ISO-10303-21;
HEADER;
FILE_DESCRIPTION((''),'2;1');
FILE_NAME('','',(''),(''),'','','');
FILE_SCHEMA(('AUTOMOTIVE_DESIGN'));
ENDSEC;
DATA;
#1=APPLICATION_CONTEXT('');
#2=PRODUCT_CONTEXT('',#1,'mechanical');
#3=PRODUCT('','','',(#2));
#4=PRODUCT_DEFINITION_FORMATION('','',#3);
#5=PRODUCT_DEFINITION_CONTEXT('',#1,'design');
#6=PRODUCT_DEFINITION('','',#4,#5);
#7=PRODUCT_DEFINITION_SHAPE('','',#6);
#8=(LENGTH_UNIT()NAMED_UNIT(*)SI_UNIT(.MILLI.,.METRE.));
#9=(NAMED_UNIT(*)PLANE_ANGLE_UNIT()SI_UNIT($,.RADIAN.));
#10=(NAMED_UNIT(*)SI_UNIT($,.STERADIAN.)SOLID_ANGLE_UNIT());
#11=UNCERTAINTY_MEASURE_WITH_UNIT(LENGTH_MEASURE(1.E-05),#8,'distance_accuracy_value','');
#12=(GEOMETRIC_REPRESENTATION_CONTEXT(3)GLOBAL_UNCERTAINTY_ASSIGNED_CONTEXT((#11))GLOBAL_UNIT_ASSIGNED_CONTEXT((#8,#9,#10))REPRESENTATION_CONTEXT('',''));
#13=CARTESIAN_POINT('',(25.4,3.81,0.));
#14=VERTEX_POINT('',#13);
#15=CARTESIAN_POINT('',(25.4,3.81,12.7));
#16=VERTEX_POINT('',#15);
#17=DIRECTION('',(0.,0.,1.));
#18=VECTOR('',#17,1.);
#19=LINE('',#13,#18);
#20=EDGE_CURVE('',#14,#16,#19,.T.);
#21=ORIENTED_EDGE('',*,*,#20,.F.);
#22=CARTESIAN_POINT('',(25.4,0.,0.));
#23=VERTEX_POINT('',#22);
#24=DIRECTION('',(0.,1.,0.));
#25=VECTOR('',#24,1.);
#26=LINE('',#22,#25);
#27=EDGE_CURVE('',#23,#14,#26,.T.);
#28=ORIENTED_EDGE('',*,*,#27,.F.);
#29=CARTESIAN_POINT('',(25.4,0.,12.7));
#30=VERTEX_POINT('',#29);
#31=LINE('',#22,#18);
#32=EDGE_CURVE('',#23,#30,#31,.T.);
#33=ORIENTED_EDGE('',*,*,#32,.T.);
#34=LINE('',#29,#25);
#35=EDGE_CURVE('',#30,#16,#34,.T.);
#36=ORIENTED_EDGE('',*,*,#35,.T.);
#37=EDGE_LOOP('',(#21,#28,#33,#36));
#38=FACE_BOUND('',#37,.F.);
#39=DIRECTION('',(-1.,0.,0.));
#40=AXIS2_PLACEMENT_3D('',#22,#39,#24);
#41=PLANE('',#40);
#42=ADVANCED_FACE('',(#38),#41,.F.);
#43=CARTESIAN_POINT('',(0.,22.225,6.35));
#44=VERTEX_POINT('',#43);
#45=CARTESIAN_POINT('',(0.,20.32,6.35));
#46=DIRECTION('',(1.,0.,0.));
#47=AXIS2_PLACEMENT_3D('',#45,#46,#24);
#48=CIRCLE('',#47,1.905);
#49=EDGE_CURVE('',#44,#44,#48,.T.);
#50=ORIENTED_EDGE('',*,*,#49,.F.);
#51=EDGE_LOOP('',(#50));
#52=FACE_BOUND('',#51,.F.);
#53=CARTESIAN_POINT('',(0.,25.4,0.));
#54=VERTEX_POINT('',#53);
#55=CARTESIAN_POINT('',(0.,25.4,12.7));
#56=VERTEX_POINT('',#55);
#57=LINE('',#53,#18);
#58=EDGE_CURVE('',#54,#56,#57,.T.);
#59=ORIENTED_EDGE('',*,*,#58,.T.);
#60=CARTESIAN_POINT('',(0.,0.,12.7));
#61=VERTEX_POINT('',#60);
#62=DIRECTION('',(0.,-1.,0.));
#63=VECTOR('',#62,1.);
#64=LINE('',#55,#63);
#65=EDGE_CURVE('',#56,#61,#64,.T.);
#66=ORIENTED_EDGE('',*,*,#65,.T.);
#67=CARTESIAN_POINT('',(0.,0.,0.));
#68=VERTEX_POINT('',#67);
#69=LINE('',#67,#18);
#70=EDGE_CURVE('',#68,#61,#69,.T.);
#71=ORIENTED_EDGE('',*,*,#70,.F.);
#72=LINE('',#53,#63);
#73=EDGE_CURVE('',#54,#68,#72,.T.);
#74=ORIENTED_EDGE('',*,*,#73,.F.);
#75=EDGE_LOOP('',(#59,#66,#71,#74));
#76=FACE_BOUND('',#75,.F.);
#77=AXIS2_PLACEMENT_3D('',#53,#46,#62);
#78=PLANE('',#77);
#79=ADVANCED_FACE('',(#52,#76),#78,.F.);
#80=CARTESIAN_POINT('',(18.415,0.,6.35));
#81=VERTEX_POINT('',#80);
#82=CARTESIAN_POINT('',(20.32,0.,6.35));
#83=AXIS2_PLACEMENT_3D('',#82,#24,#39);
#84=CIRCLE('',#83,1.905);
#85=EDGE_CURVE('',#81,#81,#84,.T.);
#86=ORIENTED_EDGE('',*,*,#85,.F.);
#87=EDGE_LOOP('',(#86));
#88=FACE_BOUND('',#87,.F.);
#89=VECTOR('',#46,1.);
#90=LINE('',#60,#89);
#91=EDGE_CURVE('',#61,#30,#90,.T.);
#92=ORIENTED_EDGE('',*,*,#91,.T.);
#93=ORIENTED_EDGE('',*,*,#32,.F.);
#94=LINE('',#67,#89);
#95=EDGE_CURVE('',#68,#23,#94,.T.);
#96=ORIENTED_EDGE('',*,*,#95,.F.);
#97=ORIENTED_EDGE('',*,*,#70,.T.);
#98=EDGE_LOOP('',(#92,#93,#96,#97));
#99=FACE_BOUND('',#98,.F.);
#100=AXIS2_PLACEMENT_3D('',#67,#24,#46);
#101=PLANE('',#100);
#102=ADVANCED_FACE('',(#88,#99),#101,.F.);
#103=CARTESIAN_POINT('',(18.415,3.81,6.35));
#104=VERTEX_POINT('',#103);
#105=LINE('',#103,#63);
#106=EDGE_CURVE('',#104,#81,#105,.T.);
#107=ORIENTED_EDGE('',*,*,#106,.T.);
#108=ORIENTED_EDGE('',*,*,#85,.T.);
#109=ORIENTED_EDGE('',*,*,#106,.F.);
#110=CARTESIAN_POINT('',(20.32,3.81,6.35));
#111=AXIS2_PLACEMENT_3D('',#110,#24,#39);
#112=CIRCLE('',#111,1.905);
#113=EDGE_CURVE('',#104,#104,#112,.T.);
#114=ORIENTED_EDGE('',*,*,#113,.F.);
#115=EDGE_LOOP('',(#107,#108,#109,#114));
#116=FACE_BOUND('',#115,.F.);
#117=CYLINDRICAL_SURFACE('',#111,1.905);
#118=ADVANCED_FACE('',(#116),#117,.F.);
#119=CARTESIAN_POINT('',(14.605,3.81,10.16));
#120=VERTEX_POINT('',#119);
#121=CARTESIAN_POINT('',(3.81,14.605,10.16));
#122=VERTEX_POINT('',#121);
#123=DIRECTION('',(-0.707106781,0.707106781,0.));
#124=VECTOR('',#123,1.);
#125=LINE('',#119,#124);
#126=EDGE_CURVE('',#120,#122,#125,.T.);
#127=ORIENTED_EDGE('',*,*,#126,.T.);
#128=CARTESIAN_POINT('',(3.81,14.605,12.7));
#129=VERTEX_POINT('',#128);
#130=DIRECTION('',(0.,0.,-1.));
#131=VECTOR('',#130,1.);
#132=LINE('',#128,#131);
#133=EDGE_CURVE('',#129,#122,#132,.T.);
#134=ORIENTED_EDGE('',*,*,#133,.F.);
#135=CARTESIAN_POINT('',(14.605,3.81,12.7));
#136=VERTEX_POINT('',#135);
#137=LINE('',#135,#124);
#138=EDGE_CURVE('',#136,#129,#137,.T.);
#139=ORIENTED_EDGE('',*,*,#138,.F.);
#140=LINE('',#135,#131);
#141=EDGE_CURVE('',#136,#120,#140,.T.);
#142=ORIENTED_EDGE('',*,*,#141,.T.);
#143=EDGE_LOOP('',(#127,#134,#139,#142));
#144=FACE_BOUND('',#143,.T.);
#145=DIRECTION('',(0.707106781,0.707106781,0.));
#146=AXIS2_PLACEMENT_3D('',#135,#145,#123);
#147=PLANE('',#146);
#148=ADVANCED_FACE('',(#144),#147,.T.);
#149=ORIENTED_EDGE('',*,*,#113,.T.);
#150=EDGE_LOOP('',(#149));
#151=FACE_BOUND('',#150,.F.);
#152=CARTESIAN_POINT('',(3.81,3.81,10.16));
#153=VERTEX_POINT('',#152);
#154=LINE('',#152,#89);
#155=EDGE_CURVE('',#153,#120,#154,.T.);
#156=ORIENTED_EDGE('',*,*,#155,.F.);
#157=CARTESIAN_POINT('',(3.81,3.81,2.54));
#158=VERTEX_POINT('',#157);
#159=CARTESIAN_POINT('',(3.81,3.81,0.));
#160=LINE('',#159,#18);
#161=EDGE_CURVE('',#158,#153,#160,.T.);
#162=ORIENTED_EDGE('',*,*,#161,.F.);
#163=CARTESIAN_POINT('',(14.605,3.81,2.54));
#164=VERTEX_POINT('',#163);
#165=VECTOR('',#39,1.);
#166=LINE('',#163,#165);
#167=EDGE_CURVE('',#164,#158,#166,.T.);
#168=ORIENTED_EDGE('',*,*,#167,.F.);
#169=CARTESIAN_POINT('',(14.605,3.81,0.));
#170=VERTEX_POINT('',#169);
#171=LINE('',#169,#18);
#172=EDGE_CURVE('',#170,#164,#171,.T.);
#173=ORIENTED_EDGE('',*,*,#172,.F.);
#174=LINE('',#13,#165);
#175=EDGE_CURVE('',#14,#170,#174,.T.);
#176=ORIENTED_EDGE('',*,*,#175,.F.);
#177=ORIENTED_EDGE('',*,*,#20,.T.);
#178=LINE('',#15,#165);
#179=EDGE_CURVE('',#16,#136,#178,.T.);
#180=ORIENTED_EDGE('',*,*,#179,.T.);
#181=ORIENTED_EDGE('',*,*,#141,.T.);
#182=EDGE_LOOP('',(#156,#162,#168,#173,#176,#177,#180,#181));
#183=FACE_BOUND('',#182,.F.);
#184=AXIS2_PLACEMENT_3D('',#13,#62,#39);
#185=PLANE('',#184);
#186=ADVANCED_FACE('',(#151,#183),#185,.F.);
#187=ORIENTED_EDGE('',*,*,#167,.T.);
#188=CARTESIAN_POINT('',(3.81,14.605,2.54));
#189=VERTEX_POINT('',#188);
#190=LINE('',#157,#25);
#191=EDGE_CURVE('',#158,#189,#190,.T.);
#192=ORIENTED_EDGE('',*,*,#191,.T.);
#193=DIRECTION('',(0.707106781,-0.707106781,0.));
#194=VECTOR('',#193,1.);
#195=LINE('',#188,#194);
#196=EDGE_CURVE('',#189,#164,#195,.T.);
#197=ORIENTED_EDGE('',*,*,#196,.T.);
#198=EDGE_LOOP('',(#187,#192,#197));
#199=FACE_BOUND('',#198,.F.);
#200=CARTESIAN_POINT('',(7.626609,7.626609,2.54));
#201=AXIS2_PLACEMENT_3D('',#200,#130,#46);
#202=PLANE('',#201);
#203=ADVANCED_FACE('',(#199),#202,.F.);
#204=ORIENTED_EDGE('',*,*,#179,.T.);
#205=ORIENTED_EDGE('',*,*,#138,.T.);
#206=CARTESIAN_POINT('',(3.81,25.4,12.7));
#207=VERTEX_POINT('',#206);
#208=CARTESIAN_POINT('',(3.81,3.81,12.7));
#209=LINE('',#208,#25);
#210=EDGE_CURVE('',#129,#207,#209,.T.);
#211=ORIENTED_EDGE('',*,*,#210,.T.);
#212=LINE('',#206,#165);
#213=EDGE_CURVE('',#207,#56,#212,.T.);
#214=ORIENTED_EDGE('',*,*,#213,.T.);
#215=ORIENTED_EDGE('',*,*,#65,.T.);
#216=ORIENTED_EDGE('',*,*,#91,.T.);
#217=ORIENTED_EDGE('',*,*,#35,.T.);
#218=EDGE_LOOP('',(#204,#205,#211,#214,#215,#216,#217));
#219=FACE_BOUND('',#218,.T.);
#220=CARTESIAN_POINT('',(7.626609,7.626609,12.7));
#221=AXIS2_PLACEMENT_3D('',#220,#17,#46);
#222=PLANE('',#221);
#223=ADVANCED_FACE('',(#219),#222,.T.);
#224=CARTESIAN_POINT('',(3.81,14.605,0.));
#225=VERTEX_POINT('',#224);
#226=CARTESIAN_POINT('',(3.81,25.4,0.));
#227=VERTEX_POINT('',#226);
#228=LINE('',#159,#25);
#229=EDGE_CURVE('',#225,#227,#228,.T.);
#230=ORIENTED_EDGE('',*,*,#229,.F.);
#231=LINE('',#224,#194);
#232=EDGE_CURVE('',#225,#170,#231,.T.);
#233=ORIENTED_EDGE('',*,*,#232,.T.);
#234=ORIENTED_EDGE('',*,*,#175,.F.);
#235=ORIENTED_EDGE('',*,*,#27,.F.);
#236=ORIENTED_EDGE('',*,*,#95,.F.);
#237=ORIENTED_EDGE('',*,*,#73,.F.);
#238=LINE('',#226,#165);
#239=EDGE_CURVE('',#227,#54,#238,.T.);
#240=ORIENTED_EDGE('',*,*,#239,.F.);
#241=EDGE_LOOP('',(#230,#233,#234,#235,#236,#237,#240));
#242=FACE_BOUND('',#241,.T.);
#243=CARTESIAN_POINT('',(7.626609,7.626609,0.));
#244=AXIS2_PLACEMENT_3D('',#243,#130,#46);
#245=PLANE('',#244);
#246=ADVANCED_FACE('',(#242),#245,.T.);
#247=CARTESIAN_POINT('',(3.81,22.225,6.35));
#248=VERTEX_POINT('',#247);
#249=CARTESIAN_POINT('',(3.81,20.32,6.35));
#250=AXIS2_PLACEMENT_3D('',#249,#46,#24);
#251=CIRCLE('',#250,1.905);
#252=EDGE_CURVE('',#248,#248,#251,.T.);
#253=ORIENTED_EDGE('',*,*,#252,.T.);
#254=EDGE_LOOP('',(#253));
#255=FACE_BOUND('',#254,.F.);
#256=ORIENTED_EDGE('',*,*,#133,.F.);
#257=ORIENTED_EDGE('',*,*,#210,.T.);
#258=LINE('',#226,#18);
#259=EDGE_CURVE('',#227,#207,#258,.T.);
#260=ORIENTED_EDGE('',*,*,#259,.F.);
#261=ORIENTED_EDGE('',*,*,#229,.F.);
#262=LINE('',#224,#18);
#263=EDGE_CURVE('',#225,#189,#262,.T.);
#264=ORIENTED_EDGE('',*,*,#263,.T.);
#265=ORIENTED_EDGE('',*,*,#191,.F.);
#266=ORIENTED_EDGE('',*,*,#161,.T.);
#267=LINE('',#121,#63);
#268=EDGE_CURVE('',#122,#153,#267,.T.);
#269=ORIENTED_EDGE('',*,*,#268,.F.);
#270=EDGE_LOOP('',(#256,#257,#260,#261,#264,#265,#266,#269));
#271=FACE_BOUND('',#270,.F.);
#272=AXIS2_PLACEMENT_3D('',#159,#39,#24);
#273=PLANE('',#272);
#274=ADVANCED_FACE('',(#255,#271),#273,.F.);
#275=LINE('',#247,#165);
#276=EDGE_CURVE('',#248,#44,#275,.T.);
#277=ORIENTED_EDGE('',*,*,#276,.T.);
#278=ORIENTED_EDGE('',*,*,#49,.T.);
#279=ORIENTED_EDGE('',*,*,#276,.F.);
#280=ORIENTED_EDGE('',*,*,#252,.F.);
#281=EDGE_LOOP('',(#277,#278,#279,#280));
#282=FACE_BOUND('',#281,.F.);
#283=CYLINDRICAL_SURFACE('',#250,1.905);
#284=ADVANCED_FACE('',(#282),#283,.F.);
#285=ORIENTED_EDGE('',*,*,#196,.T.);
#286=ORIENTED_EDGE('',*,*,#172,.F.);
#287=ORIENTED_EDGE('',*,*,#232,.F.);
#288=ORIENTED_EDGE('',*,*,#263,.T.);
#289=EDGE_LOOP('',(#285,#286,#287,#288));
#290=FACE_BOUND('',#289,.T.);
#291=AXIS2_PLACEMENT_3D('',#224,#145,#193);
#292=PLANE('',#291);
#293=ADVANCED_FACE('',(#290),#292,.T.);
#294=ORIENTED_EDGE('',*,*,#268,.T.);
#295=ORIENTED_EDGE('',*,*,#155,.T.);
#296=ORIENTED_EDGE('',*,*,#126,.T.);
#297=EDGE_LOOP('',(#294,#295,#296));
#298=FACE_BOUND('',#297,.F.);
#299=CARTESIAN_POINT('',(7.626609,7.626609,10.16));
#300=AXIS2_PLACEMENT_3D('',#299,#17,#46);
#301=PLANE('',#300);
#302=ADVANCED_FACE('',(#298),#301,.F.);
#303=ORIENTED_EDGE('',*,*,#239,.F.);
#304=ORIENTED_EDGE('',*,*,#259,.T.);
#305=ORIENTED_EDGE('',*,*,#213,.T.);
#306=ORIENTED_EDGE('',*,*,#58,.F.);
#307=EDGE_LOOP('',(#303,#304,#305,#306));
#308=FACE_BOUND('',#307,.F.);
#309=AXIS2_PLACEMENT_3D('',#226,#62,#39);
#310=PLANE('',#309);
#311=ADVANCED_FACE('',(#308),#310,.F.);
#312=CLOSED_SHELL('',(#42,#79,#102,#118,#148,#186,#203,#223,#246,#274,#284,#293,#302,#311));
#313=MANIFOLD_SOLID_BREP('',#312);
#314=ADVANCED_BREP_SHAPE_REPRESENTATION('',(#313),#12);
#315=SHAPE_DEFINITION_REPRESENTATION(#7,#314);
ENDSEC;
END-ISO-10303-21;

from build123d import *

# Parameters (mm, degrees)
F1_DEPTH  = 12.7
F4_DEPTH  = 2.54
F6_R      = 1.905
F7_DEPTH  = 25.4
F8_DEPTH  = 2.54
F9_R      = 1.905
F10_DEPTH = 25.4


with BuildPart() as f1:
    # F0 (on Top) → F1 (new body)
    with BuildSketch(Plane.XY):
        Polygon((0, 25.4), (0, 0), (25.4, 0), (25.4, 3.81), (3.81, 3.81), (3.81, 25.4), align=None)
    extrude(amount=F1_DEPTH)

    # F2 (on face) → F4 (join)
    with BuildSketch(Plane.XY.offset(12.7)):
        Polygon((14.605, 3.81), (3.81, 14.605), (3.81, 3.81), align=None)
    extrude(amount=-F4_DEPTH)

    # F6 (on face) → F7 (cut)
    with BuildSketch(Plane.YZ.offset(3.81)):
        with Locations((20.32, 6.35)):
            Circle(F6_R)
    extrude(amount=-F7_DEPTH, mode=Mode.SUBTRACT)

    # F5 (on face) → F8 (join)
    with BuildSketch(Plane(origin=(0, 0, 0), x_dir=(1, 0, 0), z_dir=(0, 0, -1))):
        Polygon((3.81, -14.605), (14.605, -3.81), (3.81, -3.81), align=None)
    extrude(amount=-F8_DEPTH)

    # F9 (on face) → F10 (cut)
    with BuildSketch(Plane(origin=(0, 3.81, 0), x_dir=(-1, 0, 0), z_dir=(0, 1, 0))):
        with Locations((-20.32, 6.35)):
            Circle(F9_R)
    extrude(amount=-F10_DEPTH, mode=Mode.SUBTRACT)


solid = f1.part
